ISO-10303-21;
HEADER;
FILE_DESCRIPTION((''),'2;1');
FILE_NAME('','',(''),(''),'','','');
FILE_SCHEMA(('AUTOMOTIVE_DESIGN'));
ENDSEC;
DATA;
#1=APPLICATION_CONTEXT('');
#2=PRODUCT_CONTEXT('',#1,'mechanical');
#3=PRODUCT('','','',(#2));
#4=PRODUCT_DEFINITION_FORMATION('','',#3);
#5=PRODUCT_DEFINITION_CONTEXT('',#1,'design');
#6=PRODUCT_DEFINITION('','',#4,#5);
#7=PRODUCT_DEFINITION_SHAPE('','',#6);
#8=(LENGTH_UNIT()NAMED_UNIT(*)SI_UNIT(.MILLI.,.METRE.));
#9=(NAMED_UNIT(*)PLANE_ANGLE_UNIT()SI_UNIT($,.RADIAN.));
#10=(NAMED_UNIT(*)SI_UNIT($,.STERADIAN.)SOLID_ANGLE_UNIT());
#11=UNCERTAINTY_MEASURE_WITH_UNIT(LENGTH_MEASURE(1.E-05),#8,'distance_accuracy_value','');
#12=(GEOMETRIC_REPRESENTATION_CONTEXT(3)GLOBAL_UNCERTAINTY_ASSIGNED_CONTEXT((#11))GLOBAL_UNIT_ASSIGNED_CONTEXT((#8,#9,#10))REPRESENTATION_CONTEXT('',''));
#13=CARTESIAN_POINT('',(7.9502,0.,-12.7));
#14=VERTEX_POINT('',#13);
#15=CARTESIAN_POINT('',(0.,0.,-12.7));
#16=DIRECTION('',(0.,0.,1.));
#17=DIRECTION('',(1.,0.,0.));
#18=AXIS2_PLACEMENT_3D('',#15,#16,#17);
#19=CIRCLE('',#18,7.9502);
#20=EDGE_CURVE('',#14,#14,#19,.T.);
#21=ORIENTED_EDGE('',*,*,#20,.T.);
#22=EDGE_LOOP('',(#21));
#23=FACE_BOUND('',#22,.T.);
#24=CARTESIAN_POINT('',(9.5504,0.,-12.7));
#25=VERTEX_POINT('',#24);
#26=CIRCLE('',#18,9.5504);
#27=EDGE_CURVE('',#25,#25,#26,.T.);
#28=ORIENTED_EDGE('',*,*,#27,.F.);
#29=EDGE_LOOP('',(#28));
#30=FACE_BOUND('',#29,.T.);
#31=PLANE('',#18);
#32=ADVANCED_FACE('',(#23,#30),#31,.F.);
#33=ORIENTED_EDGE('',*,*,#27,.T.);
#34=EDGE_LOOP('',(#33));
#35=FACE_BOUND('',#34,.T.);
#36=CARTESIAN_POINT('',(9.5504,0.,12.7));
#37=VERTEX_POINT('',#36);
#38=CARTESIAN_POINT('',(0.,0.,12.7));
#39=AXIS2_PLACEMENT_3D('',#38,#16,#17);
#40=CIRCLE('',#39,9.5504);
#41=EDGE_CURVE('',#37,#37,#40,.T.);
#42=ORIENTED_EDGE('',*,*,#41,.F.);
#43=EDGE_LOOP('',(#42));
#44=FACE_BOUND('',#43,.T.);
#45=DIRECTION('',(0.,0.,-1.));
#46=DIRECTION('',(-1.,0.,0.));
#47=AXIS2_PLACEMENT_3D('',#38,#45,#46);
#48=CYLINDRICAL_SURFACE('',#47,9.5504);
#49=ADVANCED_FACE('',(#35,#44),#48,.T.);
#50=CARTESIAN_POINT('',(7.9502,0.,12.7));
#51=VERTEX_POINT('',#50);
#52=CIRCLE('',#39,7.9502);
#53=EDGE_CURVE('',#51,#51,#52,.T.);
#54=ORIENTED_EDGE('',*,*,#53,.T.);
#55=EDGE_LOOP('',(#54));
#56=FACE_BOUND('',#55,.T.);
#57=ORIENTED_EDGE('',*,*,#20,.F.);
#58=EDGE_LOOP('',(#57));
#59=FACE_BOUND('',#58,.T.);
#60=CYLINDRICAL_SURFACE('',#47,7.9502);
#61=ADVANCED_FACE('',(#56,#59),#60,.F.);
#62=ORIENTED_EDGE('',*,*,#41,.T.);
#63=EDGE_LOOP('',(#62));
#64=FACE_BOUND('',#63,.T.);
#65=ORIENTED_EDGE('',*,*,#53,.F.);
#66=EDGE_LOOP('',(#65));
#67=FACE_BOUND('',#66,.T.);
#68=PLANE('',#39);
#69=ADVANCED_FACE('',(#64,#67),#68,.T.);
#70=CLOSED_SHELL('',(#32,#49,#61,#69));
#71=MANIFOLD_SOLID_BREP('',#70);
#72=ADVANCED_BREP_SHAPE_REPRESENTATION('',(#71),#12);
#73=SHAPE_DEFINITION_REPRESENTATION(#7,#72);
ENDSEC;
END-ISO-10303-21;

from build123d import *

# Parameters (mm, degrees)
BOSS_EXTRUDE1_DEPTH      = 12.7
BOSS_EXTRUDE1_DEPTH_BACK = 12.7
SKETCH5_R                = 9.5504
SKETCH5_R_2              = 7.9502


with BuildPart() as part:
    # Sketch5 → Boss-Extrude1 (new, two sides: drawn at the far end of the back side and taken through both)
    with BuildSketch(Plane.XY.offset(-BOSS_EXTRUDE1_DEPTH_BACK)):
        Circle(SKETCH5_R)
        Circle(SKETCH5_R_2, mode=Mode.SUBTRACT)
    extrude(amount=BOSS_EXTRUDE1_DEPTH + BOSS_EXTRUDE1_DEPTH_BACK)


solid = part.part
